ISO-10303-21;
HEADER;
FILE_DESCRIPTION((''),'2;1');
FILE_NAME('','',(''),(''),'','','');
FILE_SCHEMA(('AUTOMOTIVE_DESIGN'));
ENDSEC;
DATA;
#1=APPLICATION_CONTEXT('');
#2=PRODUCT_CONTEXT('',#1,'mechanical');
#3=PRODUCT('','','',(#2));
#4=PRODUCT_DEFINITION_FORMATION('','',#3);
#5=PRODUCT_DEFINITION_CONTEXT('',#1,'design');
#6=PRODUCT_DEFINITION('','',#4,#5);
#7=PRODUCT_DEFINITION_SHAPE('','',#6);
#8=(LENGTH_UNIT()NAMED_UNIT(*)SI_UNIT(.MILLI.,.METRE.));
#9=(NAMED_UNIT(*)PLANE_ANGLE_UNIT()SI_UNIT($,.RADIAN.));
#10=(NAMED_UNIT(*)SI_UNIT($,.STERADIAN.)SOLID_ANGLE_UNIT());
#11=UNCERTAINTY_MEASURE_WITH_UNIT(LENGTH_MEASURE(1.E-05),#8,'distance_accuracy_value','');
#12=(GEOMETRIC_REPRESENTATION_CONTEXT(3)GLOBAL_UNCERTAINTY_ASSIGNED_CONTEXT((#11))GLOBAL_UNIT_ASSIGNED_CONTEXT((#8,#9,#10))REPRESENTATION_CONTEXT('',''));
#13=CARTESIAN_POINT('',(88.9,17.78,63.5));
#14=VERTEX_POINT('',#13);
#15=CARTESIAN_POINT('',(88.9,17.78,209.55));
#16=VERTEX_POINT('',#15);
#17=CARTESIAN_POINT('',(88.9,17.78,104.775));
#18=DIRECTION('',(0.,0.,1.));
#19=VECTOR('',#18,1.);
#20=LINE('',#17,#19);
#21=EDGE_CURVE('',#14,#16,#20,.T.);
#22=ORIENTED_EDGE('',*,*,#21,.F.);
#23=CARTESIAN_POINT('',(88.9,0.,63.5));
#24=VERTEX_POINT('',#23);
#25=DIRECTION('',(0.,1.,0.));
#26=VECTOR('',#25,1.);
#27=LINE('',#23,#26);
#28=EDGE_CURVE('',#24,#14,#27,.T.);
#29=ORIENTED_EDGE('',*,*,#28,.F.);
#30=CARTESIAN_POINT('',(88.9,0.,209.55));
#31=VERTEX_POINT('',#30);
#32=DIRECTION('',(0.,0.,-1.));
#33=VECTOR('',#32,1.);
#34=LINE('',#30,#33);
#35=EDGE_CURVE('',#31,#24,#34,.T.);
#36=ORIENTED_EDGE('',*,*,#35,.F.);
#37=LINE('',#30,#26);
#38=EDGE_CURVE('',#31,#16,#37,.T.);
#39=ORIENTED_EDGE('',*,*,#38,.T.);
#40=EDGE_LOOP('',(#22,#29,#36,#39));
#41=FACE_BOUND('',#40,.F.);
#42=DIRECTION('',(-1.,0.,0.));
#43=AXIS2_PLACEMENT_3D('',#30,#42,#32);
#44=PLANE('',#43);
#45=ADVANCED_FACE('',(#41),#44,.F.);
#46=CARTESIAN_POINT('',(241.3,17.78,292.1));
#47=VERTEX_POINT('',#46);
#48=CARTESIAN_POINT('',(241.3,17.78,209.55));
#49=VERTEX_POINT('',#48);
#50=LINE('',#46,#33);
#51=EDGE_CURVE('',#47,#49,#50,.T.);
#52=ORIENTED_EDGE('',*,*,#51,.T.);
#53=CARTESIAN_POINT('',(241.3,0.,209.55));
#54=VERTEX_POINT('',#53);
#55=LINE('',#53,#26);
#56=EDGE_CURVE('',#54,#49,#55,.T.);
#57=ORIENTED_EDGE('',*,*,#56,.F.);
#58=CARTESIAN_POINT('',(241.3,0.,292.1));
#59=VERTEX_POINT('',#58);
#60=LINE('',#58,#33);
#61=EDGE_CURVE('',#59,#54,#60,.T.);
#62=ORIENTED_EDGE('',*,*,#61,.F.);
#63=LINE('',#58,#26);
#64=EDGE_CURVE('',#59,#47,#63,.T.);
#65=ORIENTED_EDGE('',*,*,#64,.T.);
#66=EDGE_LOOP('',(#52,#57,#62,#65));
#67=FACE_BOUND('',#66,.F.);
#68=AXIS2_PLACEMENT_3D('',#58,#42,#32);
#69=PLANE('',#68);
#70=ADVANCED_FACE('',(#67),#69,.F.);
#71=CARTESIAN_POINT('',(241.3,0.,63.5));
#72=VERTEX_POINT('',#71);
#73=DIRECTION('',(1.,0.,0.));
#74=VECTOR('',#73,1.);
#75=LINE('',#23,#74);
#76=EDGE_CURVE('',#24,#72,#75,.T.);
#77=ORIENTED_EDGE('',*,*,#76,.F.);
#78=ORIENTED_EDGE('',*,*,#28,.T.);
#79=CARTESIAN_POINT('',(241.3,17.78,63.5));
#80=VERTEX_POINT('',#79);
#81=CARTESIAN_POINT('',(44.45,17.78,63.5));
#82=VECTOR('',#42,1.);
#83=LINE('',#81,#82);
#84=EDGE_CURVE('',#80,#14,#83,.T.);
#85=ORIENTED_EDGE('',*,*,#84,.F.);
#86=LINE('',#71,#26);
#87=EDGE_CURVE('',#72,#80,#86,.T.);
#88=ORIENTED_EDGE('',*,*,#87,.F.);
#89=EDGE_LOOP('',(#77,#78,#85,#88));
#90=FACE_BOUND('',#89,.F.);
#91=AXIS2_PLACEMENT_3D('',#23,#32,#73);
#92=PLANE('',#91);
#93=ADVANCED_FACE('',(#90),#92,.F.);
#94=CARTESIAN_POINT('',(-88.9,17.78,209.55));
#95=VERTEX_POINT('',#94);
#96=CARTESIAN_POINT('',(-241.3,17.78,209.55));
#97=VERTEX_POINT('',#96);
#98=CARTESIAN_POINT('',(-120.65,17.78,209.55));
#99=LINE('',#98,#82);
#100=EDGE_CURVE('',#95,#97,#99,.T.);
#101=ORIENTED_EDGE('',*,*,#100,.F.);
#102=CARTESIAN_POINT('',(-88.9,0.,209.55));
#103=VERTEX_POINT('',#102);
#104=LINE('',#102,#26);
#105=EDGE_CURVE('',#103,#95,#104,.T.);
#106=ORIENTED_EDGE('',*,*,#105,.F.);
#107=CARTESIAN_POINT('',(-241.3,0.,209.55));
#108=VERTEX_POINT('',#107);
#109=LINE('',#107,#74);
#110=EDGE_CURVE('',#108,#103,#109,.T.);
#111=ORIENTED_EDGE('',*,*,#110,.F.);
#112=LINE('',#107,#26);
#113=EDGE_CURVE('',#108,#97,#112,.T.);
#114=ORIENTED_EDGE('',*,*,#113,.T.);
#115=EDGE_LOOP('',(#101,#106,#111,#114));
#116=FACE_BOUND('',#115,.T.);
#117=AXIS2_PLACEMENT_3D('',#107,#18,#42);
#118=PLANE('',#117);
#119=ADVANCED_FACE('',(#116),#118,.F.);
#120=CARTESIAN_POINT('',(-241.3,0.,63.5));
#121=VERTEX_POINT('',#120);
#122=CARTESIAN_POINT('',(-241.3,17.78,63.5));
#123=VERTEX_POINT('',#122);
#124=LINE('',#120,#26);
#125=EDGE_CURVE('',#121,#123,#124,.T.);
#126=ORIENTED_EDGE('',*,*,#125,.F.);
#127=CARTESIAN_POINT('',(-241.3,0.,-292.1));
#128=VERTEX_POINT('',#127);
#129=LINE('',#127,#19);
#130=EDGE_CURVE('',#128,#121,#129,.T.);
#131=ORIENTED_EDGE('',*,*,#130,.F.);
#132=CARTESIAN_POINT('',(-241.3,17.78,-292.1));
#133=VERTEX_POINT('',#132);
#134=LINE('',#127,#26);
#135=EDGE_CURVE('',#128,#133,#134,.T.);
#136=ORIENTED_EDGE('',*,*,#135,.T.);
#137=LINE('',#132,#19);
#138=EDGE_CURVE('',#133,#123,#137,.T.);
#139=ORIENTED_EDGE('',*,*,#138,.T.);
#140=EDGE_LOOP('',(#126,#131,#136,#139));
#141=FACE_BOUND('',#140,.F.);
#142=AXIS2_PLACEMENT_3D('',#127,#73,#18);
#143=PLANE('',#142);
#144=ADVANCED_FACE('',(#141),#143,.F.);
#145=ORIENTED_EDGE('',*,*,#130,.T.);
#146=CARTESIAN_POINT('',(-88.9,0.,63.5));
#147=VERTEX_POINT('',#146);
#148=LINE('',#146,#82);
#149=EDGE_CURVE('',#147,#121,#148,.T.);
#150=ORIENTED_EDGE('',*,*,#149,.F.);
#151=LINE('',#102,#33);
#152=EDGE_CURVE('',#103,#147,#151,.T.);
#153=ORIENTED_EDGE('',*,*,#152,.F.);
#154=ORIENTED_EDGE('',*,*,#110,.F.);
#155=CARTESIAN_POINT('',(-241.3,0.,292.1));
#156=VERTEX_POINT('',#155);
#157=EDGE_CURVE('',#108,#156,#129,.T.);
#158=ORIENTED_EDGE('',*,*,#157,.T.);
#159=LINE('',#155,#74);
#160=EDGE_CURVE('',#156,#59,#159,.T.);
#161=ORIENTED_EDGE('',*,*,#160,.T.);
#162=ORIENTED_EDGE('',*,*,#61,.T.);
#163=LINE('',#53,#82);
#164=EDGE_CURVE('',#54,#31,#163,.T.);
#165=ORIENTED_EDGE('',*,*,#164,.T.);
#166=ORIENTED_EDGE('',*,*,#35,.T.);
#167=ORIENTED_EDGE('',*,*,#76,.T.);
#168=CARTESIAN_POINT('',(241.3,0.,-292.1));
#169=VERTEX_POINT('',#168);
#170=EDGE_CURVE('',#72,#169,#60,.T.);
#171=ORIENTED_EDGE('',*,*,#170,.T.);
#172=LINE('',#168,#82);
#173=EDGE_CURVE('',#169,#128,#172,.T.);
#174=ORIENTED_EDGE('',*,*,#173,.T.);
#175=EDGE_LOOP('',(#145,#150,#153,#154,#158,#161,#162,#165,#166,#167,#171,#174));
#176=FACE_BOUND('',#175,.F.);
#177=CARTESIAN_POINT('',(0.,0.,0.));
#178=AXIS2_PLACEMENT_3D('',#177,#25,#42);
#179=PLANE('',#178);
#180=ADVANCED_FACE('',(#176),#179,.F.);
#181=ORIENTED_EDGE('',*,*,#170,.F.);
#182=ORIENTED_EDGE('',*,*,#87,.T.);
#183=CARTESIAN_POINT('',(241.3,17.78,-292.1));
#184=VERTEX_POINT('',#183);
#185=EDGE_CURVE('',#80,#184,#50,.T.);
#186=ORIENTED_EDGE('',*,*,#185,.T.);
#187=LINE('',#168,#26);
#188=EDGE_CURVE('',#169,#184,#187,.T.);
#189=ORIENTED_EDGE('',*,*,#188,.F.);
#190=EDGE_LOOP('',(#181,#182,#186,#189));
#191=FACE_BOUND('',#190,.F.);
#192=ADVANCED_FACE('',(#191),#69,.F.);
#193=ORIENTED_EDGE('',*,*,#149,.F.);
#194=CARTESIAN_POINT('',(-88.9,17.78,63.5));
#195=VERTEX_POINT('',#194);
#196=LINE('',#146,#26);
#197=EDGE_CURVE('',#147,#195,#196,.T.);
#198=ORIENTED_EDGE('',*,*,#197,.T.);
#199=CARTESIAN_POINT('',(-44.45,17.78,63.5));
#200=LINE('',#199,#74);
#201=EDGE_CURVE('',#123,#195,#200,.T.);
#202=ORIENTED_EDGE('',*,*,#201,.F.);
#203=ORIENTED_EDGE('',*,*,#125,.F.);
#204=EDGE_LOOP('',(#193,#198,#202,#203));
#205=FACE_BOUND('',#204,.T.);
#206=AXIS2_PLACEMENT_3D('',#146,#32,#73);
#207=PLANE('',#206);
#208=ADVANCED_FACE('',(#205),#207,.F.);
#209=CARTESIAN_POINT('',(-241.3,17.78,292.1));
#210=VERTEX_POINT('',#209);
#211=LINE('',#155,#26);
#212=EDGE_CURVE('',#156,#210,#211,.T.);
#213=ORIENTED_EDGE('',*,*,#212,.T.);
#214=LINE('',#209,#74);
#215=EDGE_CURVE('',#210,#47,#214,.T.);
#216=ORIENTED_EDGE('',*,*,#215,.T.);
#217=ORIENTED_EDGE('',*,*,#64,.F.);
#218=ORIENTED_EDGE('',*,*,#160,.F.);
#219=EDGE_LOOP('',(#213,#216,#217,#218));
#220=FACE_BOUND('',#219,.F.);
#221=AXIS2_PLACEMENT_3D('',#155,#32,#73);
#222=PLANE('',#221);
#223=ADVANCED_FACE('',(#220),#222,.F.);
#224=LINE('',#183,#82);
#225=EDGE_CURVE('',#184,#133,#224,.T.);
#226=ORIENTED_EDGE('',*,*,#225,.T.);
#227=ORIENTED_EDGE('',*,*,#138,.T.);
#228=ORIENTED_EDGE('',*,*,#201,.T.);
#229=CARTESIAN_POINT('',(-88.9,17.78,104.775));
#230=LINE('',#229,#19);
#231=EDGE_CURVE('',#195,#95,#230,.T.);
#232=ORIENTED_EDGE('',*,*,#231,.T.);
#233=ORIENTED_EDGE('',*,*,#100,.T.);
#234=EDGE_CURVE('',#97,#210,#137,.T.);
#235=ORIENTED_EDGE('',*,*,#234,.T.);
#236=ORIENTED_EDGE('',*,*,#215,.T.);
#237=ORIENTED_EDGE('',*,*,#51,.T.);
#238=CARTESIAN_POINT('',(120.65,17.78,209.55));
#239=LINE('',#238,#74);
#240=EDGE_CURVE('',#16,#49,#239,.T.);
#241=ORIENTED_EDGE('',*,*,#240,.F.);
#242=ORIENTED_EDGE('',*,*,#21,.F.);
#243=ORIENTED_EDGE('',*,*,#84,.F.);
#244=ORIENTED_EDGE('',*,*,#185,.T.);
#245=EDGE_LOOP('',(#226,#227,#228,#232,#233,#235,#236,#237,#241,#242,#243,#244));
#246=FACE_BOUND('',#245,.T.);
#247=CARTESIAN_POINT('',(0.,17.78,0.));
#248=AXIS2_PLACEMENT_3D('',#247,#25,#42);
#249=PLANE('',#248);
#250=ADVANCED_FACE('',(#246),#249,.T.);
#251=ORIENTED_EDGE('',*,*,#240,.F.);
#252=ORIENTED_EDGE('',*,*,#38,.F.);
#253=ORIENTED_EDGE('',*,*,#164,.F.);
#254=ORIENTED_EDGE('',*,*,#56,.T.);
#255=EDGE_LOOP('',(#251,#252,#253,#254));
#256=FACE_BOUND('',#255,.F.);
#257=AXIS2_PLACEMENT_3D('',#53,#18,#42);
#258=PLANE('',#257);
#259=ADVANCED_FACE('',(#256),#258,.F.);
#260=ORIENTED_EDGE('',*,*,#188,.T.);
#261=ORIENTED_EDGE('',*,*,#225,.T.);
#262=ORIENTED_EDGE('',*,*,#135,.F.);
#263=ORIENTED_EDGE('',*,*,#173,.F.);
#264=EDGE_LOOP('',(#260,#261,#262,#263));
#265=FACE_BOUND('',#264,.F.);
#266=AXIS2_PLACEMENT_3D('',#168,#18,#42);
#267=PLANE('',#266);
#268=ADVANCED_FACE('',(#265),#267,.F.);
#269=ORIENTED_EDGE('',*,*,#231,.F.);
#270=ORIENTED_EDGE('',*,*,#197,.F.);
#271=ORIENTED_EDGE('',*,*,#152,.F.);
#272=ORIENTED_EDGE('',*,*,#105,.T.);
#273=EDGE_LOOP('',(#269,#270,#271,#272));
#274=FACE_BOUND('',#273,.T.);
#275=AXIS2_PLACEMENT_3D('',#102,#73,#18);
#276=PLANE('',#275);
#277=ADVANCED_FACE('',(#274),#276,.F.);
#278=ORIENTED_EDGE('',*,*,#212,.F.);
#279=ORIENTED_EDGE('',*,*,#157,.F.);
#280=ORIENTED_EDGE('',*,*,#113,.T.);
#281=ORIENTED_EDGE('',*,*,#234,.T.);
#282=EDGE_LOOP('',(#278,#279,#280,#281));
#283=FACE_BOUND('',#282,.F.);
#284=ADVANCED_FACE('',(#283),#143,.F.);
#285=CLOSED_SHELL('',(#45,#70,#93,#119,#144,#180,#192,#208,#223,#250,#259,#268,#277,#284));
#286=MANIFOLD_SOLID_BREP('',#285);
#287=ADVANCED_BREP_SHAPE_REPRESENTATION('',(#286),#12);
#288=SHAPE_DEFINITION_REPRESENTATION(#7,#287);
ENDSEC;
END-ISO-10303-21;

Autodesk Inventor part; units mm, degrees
ref_plane "XZ Plane" through (0, 0, 0) normal (0, 1, 0) x (-1, 0, 0)
ref_plane "XY Plane" through (0, 0, 0) normal (0, 0, 1) x (1, 0, 0)
sketch "Sketch1" plane through (0, 0, 0) normal (0, 1, 0) x (-1, 0, 0)
  line L0 (-241.3, 292.1) -> (-241.3, -292.1)
  line L1 (-241.3, -292.1) -> (241.3, -292.1)
  line L2 (241.3, -292.1) -> (241.3, 292.1)
  line L3 (241.3, 292.1) -> (-241.3, 292.1)
  line L4 (-241.3, 292.1) -> (241.3, -292.1) construction
  line L5 (-241.3, -292.1) -> (241.3, 292.1) construction
  point P0 (0, 0)
  dimension "baseLength" = 584.2
  dimension "baseWidth" = 482.6
extrude "Extrusion1" add sketch "Sketch1" along normal blind 17.78
sketch "Sketch2" plane through (0, 0, 0) normal (0, -1, 0) x (1, 0, 0)
  line L0 (241.3, 292.1) -> (241.3, -292.1) projected
  line L1 (241.3, 209.55) -> (88.9, 209.55)
  line L2 (88.9, 209.55) -> (88.9, 63.5)
  line L3 (88.9, 63.5) -> (241.3, 63.5)
  line L4 (241.3, 63.5) -> (241.3, 209.55)
  line L5 (-241.3, 292.1) -> (241.3, 292.1) projected
  point P0 (0, 0)
  dimension "backToEndOfGearBox" = 82.55
  dimension "backToFrontOfGearBox" = 228.6
  dimension "wdithForGearBox" = 152.4
extrude "Extrusion2" cut sketch "Sketch2" against normal through all
mirror "Mirror1" about plane through (0, 0, 0) normal (1, 0, 0) of "Extrusion2"
equation "\"spaceingAlongSides\" = 3.175"
equation "\"distanceFromBackForEndBolt\" = 38.1"
equation "\"spacingForBolt\" = 25.4"
equation "\"widthOfSpacingForBolt\" = 12.7"
equation "\"lengthOfSpacingForBolt\" = 25.4"
properties part number "RhinoBottomFloorPlate04" material "Wood (Birch)"
